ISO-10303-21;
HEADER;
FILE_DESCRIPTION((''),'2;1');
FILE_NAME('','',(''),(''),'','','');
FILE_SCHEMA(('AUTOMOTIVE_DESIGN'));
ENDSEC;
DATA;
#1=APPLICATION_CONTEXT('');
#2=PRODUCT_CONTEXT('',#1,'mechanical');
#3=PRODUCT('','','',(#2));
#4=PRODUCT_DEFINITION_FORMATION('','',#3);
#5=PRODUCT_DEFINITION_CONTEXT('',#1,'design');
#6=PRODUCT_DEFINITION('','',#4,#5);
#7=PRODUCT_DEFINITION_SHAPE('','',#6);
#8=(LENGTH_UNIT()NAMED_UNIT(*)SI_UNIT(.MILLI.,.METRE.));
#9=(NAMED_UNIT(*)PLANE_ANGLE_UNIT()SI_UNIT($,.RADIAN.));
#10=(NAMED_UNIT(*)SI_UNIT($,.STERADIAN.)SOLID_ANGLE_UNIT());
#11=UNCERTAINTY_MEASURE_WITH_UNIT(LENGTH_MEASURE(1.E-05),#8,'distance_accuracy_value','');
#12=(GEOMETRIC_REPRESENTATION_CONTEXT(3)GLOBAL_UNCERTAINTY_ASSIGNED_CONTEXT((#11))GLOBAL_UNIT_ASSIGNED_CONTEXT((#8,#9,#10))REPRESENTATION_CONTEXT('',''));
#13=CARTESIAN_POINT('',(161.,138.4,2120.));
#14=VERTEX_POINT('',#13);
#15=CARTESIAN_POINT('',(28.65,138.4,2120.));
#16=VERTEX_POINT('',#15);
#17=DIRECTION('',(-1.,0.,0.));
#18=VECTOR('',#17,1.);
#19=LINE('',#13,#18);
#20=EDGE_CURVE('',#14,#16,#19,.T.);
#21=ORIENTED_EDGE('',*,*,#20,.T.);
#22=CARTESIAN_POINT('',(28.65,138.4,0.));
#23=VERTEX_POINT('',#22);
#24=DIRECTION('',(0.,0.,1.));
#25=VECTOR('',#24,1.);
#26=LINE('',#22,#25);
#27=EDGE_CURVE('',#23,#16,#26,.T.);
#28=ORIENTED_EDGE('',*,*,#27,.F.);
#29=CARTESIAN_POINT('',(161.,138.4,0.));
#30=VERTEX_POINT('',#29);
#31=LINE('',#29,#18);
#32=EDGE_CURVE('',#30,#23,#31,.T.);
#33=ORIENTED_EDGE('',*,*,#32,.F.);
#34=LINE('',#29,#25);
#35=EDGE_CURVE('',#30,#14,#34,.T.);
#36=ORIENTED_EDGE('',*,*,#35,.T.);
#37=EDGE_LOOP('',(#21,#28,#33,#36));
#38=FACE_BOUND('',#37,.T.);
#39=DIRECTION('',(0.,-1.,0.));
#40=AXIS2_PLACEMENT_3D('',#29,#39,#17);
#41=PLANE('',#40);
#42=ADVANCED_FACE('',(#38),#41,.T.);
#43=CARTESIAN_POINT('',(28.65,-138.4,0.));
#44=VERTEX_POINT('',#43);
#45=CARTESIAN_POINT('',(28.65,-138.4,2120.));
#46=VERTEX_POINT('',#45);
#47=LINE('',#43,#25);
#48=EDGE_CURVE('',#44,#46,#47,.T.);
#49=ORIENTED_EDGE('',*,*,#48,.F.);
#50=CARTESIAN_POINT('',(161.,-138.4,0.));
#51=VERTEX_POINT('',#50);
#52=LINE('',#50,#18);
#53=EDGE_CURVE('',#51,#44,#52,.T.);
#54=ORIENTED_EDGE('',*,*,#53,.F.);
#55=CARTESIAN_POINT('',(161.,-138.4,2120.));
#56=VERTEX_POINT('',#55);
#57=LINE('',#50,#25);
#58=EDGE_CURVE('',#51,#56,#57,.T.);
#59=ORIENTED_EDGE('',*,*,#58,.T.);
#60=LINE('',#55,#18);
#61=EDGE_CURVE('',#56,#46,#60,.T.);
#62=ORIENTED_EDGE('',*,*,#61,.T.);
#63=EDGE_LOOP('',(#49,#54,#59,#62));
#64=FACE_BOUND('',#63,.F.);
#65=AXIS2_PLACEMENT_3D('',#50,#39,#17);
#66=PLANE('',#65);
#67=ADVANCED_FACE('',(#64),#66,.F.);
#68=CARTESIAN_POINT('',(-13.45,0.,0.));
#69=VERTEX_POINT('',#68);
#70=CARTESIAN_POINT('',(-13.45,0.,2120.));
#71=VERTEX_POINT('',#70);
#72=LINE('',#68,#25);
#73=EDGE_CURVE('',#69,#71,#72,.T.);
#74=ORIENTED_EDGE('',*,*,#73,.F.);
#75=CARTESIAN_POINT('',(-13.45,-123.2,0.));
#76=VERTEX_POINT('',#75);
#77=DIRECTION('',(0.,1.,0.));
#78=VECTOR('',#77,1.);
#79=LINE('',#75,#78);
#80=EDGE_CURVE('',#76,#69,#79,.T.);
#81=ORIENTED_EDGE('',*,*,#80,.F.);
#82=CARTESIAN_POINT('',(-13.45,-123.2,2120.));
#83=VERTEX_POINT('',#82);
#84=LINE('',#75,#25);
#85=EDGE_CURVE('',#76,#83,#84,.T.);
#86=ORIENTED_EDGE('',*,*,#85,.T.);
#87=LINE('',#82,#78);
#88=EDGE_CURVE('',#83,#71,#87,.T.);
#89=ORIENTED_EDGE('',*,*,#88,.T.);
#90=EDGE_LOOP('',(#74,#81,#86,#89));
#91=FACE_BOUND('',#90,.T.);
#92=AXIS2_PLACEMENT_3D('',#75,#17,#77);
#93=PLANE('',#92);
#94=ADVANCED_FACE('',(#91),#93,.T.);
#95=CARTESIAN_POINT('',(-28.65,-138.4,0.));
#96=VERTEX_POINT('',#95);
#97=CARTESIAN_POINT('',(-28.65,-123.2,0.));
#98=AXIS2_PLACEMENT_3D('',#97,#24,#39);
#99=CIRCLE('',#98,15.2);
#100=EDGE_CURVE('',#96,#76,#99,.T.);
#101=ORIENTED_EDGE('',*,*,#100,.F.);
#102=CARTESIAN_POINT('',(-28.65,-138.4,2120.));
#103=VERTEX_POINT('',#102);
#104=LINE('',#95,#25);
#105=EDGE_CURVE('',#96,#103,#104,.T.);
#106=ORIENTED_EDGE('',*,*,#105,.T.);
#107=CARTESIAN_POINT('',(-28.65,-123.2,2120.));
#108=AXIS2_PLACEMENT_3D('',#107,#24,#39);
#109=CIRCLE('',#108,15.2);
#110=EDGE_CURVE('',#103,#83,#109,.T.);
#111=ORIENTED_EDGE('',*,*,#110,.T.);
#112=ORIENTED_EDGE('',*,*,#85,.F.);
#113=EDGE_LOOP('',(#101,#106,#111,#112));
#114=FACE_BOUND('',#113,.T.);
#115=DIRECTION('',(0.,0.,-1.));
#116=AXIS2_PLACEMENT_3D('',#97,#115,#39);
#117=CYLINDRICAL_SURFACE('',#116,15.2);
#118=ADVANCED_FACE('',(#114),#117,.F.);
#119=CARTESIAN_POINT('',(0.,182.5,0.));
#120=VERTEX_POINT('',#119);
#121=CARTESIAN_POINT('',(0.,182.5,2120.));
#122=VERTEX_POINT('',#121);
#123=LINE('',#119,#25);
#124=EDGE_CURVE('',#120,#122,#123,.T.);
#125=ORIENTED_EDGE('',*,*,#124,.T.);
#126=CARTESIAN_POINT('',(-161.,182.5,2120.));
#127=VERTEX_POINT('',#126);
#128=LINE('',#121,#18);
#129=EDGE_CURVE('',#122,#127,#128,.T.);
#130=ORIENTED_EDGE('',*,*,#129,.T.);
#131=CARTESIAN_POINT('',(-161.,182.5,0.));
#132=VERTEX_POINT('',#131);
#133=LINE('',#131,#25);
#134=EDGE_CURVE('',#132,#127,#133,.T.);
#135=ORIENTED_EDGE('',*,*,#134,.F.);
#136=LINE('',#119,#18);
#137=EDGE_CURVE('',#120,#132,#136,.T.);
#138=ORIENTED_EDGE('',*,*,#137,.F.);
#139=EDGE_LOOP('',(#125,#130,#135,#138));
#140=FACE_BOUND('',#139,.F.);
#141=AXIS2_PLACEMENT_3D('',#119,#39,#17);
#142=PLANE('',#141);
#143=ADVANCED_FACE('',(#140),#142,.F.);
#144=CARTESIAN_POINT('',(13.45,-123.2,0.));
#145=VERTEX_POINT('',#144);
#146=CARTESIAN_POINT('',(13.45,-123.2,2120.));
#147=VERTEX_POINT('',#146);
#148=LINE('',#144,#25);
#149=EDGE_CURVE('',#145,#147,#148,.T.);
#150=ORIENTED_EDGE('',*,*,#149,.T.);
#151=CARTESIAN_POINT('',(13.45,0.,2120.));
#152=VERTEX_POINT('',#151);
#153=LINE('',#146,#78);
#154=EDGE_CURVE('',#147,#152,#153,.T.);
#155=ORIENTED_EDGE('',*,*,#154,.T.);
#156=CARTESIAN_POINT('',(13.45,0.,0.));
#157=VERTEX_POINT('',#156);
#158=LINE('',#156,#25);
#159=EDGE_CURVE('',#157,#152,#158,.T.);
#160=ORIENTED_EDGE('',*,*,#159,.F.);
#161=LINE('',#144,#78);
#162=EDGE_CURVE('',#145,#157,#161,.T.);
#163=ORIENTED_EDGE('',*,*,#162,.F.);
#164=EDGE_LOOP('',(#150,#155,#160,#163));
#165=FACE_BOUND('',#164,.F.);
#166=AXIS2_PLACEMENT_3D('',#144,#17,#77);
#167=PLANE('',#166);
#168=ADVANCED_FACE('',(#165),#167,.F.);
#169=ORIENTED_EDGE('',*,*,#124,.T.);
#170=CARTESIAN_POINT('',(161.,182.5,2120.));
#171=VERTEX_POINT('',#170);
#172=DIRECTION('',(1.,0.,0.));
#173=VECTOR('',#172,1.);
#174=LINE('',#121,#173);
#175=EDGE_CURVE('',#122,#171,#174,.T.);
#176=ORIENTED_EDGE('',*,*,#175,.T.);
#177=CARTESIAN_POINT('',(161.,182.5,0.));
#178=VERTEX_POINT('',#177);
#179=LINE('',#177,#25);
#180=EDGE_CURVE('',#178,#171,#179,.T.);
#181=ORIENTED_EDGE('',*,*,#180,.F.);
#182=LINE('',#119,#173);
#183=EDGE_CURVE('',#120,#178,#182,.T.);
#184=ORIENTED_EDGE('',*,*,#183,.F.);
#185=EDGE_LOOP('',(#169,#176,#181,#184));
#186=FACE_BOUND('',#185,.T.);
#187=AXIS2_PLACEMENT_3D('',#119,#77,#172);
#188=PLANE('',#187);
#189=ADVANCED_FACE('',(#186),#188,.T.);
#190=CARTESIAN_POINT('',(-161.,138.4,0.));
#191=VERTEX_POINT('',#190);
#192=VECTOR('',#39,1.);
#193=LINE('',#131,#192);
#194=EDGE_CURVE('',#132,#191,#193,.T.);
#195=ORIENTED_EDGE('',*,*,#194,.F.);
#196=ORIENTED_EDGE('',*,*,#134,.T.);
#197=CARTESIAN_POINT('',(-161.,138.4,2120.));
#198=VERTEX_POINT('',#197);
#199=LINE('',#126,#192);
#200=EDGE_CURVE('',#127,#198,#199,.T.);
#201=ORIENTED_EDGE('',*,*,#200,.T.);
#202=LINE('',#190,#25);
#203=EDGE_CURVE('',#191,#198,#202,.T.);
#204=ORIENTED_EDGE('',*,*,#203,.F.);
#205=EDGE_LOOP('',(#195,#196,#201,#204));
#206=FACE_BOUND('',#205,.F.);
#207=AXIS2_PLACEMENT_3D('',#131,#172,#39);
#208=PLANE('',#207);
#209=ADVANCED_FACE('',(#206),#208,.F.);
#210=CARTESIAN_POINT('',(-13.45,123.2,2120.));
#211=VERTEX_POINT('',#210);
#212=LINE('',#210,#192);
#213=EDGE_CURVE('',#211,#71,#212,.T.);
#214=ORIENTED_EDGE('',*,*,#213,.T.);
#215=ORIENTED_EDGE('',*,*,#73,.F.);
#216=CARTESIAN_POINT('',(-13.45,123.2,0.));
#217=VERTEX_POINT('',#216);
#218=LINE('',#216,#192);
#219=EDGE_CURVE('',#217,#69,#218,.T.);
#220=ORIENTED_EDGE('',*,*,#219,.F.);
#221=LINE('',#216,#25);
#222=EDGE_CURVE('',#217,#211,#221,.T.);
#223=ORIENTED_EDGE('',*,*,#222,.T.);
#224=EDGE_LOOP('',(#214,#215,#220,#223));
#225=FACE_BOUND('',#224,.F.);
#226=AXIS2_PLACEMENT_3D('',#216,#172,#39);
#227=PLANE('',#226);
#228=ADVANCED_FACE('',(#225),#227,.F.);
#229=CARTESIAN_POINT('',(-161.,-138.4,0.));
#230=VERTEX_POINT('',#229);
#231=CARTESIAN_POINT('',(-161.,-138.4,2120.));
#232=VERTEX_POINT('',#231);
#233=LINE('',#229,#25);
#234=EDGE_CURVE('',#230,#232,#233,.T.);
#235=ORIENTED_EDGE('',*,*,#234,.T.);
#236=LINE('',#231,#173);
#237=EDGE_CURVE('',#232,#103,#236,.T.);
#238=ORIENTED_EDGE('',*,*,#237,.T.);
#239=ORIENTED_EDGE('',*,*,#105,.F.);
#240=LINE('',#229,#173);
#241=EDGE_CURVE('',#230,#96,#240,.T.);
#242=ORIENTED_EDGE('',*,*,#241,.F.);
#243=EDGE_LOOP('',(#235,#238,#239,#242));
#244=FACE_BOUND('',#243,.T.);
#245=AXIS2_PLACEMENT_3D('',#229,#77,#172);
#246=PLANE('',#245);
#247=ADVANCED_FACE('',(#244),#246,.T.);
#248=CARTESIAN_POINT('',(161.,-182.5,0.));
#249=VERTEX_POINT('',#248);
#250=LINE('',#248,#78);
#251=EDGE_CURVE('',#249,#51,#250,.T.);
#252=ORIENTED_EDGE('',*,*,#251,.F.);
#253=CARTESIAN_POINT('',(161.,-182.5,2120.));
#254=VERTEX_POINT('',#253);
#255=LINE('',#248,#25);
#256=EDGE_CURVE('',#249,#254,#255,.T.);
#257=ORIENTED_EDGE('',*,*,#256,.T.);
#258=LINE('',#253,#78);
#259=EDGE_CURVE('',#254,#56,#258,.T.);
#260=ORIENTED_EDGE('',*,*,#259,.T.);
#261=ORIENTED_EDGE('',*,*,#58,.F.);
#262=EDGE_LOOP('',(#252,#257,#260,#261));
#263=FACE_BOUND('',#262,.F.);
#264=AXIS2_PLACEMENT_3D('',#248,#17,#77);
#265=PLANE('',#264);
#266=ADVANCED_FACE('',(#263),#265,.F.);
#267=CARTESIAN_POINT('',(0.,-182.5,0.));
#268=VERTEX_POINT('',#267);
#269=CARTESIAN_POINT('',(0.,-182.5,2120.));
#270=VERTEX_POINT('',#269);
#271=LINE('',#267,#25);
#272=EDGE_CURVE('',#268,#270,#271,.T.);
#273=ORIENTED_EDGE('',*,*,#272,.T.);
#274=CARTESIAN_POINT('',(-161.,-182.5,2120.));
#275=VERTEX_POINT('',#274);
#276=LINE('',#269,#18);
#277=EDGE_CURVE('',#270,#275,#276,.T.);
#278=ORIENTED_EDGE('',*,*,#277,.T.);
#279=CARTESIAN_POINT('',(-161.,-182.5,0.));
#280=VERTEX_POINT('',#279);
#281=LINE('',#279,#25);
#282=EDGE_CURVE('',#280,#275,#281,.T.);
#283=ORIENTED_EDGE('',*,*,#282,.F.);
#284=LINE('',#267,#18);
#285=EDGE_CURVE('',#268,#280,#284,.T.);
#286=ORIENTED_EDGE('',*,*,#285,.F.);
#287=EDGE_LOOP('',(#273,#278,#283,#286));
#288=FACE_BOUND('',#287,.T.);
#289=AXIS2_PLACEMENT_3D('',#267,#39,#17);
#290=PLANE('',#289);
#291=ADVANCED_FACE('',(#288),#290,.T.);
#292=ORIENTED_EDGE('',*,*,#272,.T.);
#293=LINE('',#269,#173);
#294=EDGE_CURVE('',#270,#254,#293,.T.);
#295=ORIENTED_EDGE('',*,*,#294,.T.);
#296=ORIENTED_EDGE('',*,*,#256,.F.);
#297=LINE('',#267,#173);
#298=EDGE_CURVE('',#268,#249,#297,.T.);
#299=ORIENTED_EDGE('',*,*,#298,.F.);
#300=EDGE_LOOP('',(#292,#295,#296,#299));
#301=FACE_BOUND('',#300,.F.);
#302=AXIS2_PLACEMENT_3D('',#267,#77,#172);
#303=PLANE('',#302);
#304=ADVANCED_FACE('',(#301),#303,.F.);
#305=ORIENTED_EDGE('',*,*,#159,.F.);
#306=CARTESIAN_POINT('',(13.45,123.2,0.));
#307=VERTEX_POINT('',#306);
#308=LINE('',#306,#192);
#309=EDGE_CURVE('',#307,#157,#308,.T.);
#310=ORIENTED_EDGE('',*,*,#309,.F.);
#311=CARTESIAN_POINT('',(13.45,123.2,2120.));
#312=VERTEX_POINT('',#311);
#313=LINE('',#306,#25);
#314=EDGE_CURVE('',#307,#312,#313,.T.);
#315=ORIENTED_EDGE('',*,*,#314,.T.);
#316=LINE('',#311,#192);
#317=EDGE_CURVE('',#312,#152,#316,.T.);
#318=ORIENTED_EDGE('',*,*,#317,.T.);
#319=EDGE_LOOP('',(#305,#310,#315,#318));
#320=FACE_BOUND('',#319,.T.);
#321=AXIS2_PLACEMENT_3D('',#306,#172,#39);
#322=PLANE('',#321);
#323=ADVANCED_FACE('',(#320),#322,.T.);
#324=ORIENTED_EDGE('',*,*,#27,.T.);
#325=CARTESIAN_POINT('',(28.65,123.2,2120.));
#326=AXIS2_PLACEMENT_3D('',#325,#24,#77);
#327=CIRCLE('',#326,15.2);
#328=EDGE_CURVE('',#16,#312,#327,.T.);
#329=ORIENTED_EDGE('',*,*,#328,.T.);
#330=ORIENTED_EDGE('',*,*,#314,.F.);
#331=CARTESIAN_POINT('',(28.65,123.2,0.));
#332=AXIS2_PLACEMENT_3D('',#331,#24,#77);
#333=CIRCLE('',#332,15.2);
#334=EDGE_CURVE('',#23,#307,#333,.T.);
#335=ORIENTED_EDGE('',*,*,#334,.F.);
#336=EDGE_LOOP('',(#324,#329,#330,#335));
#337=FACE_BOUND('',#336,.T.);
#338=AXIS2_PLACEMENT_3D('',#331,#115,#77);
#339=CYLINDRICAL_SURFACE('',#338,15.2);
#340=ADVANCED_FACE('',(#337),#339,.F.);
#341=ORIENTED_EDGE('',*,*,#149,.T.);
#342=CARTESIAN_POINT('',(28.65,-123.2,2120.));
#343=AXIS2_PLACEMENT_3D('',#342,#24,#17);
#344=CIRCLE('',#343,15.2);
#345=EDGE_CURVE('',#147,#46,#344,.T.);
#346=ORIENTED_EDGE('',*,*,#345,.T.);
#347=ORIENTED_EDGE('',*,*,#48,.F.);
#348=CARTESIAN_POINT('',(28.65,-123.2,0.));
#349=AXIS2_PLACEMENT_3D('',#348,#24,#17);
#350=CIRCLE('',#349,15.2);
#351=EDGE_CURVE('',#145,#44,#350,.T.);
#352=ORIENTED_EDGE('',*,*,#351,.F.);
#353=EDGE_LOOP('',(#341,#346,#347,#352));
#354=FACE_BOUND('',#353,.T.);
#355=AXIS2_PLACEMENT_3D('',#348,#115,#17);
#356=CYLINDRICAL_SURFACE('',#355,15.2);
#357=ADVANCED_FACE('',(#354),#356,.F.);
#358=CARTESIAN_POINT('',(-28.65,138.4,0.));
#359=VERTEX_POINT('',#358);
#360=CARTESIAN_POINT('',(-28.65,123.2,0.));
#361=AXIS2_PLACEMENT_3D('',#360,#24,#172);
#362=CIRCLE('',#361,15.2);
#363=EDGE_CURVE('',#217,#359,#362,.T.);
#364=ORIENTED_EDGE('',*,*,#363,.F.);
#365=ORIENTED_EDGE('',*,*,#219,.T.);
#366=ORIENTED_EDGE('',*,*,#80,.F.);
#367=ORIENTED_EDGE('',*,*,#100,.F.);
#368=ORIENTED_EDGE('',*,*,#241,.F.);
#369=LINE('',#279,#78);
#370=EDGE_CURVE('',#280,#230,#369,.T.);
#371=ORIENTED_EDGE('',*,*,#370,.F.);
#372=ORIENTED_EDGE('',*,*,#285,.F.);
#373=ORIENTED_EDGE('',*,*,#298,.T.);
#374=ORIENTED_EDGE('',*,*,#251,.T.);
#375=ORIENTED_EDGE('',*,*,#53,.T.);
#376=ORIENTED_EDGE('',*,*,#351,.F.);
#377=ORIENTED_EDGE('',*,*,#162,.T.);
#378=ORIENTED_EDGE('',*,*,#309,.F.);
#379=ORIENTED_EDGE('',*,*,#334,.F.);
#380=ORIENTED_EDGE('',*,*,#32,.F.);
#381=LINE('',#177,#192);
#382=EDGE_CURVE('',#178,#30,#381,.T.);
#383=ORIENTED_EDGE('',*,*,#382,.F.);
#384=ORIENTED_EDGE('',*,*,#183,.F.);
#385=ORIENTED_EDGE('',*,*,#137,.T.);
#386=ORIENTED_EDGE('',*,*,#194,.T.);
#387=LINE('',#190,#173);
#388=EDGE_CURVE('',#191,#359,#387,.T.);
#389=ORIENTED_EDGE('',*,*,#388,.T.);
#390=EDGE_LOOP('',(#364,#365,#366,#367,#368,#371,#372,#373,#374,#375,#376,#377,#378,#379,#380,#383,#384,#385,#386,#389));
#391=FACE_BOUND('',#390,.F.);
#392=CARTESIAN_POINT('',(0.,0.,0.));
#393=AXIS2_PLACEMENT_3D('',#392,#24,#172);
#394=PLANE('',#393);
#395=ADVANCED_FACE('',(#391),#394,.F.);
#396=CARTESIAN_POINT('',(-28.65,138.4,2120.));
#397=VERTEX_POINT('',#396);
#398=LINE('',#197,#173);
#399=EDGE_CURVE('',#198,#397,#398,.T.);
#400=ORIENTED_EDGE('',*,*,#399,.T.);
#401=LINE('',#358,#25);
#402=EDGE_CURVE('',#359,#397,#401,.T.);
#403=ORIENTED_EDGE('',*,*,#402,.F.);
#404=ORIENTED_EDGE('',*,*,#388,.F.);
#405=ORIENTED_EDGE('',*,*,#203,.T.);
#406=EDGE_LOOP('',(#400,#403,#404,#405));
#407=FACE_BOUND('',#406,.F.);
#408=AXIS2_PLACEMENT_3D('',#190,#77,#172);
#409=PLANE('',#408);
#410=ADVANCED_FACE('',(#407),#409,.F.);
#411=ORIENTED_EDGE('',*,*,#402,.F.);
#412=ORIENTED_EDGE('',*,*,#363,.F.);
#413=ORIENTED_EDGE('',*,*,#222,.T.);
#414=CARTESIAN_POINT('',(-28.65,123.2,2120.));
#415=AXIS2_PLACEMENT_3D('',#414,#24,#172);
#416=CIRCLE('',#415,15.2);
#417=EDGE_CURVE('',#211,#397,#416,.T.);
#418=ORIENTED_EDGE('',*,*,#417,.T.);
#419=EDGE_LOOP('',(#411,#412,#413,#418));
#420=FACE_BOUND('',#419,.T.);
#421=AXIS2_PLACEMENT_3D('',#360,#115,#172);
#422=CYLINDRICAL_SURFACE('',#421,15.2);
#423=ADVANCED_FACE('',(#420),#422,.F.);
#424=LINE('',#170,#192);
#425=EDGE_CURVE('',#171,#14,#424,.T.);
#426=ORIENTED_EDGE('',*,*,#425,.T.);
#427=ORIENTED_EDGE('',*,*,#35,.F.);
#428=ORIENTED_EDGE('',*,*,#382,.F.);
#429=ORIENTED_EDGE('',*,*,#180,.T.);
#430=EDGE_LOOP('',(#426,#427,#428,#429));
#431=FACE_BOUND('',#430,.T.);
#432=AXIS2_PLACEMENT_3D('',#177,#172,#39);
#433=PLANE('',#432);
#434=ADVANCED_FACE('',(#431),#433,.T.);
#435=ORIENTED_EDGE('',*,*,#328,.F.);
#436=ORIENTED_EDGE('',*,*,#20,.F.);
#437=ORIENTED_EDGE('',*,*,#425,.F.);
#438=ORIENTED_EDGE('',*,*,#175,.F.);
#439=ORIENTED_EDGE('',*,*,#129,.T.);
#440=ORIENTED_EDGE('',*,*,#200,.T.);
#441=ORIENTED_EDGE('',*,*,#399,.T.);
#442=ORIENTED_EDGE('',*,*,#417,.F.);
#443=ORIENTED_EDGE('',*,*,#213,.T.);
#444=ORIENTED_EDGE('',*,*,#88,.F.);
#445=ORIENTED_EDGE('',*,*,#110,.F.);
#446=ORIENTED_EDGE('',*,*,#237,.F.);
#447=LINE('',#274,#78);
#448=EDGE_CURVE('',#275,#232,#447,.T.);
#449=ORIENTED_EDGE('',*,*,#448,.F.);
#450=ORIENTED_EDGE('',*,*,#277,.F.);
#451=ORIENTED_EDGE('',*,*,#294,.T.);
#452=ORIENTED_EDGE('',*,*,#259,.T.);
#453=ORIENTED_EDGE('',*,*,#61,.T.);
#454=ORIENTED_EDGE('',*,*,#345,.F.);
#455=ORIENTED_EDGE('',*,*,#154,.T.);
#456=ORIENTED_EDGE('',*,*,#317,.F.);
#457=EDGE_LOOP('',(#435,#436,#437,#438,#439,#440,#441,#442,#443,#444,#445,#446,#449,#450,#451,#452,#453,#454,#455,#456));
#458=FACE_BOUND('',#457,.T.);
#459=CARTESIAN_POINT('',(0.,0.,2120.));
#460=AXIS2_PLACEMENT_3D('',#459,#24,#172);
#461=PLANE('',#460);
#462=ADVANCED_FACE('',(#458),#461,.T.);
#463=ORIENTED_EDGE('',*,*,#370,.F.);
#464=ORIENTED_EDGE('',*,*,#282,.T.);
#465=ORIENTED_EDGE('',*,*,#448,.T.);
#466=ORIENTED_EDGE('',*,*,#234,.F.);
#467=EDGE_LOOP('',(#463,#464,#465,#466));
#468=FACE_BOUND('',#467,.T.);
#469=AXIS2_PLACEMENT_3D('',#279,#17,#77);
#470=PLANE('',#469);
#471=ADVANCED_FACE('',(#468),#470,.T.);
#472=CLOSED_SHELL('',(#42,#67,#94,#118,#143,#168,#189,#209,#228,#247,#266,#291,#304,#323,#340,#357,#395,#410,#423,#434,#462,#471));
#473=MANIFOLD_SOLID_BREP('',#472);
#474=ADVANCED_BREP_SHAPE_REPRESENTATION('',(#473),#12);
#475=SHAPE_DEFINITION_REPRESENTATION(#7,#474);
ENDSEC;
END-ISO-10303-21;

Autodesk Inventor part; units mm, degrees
ref_plane "YZ Plane" through (0, 0, 0) normal (1, 0, 0) x (0, 1, 0)
ref_plane "Start plane" through (0, 0, 0) normal (0, 0, 1) x (1, 0, 0)
ref_plane "End plane" through (0, 0, 2120) normal (0, 0, 1) x (1, 0, 0)
sketch "Sketch" plane through (0, 0, 0) normal (0, 0, 1) x (1, 0, 0)
  line L0 (-161, -182.5) -> (-161, -138.4)
  line L1 (-161, -138.4) -> (-28.65, -138.4)
  line L2 (-13.45, -123.2) -> (-13.45, 0)
  line L3 (-13.45, 0) -> (0, 0) construction
  line L4 (0, 0) -> (0, -182.5) construction
  line L5 (0, -182.5) -> (-161, -182.5)
  line L6 (-60, 0) -> (80, 0) construction
  line L7 (0, -60) -> (0, 80) construction
  line L8 (161, -182.5) -> (161, -138.4)
  line L9 (161, -138.4) -> (28.65, -138.4)
  line L10 (13.45, -123.2) -> (13.45, 0)
  line L11 (13.45, 0) -> (0, 0) construction
  line L12 (0, -182.5) -> (161, -182.5)
  line L13 (-161, 182.5) -> (-161, 138.4)
  line L14 (-161, 138.4) -> (-28.65, 138.4)
  line L15 (-13.45, 123.2) -> (-13.45, 0)
  line L16 (0, 182.5) -> (-161, 182.5)
  line L17 (161, 182.5) -> (161, 138.4)
  line L18 (161, 138.4) -> (28.65, 138.4)
  line L19 (0, 182.5) -> (161, 182.5)
  line L20 (13.45, 123.2) -> (13.45, 0)
  arc A0 (-13.45, 123.2) -> (-28.65, 138.4) centre (-28.65, 123.2) ccw
  arc A1 (28.65, 138.4) -> (13.45, 123.2) centre (28.65, 123.2) ccw
  arc A2 (13.45, -123.2) -> (28.65, -138.4) centre (28.65, -123.2) ccw
  arc A3 (-28.65, -138.4) -> (-13.45, -123.2) centre (-28.65, -123.2) ccw
  line L21 (0, 108) -> (0, -88) construction
  line L22 (-88, 0) -> (108, 0) construction
  point P0 (-13.45, -138.4)
  point P1 (13.45, -138.4)
  point P2 (-13.45, 138.4)
  point P3 (13.45, 138.4)
  dimension "d1" = 182.5
  dimension "d2" = 44.1
  dimension "d3" = 161
  dimension "d4" = 13.45
  dimension "d10" = 15.2
extrude "Body" add sketch "Sketch" along normal up to surface (2120 mm away) from surface at 0
sketch "Sketch4" plane through (0, 0, 0) normal (0, 0, 1) x (1, 0, 0)
  line L0 (0, 0) -> (10, 0)
ref_plane "Work Plane3" through (0, 0, 0) normal (0, -1, 0) x (1, 0, 0)
sketch "Sketch5" plane through (0, 0, 0) normal (0, -1, 0) x (1, 0, 0)
  line L0 (-2, 0) -> (12, 0) projected
  line L1 (-2, 2120) -> (12, 2120) projected
  dimension "d14" = 2120
equation "\"d1\" = 0.5 * G_H"
equation "\"d2\" = G_T1"
equation "\"d3\" = 0.5 * G_W"
equation "\"d4\" = 0.5 * G_T"
equation "\"d10\" = G_IR"
equation "\"d5\" = G_L"
equation "\"G_W\" = 322"
equation "\"G_H\" = 365"
equation "\"G_T\" = 26.9"
equation "\"G_T1\" = 44.1"
equation "\"G_IR\" = 15.2"
equation "\"G_L\" = d14"
equation "\"G_OFFSET_START\" = 0"
equation "\"G_OFFSET_END\" = 0"
properties part number "AS 3679 - 310 UC - 283 - 2120" material "Steel, Mild"
